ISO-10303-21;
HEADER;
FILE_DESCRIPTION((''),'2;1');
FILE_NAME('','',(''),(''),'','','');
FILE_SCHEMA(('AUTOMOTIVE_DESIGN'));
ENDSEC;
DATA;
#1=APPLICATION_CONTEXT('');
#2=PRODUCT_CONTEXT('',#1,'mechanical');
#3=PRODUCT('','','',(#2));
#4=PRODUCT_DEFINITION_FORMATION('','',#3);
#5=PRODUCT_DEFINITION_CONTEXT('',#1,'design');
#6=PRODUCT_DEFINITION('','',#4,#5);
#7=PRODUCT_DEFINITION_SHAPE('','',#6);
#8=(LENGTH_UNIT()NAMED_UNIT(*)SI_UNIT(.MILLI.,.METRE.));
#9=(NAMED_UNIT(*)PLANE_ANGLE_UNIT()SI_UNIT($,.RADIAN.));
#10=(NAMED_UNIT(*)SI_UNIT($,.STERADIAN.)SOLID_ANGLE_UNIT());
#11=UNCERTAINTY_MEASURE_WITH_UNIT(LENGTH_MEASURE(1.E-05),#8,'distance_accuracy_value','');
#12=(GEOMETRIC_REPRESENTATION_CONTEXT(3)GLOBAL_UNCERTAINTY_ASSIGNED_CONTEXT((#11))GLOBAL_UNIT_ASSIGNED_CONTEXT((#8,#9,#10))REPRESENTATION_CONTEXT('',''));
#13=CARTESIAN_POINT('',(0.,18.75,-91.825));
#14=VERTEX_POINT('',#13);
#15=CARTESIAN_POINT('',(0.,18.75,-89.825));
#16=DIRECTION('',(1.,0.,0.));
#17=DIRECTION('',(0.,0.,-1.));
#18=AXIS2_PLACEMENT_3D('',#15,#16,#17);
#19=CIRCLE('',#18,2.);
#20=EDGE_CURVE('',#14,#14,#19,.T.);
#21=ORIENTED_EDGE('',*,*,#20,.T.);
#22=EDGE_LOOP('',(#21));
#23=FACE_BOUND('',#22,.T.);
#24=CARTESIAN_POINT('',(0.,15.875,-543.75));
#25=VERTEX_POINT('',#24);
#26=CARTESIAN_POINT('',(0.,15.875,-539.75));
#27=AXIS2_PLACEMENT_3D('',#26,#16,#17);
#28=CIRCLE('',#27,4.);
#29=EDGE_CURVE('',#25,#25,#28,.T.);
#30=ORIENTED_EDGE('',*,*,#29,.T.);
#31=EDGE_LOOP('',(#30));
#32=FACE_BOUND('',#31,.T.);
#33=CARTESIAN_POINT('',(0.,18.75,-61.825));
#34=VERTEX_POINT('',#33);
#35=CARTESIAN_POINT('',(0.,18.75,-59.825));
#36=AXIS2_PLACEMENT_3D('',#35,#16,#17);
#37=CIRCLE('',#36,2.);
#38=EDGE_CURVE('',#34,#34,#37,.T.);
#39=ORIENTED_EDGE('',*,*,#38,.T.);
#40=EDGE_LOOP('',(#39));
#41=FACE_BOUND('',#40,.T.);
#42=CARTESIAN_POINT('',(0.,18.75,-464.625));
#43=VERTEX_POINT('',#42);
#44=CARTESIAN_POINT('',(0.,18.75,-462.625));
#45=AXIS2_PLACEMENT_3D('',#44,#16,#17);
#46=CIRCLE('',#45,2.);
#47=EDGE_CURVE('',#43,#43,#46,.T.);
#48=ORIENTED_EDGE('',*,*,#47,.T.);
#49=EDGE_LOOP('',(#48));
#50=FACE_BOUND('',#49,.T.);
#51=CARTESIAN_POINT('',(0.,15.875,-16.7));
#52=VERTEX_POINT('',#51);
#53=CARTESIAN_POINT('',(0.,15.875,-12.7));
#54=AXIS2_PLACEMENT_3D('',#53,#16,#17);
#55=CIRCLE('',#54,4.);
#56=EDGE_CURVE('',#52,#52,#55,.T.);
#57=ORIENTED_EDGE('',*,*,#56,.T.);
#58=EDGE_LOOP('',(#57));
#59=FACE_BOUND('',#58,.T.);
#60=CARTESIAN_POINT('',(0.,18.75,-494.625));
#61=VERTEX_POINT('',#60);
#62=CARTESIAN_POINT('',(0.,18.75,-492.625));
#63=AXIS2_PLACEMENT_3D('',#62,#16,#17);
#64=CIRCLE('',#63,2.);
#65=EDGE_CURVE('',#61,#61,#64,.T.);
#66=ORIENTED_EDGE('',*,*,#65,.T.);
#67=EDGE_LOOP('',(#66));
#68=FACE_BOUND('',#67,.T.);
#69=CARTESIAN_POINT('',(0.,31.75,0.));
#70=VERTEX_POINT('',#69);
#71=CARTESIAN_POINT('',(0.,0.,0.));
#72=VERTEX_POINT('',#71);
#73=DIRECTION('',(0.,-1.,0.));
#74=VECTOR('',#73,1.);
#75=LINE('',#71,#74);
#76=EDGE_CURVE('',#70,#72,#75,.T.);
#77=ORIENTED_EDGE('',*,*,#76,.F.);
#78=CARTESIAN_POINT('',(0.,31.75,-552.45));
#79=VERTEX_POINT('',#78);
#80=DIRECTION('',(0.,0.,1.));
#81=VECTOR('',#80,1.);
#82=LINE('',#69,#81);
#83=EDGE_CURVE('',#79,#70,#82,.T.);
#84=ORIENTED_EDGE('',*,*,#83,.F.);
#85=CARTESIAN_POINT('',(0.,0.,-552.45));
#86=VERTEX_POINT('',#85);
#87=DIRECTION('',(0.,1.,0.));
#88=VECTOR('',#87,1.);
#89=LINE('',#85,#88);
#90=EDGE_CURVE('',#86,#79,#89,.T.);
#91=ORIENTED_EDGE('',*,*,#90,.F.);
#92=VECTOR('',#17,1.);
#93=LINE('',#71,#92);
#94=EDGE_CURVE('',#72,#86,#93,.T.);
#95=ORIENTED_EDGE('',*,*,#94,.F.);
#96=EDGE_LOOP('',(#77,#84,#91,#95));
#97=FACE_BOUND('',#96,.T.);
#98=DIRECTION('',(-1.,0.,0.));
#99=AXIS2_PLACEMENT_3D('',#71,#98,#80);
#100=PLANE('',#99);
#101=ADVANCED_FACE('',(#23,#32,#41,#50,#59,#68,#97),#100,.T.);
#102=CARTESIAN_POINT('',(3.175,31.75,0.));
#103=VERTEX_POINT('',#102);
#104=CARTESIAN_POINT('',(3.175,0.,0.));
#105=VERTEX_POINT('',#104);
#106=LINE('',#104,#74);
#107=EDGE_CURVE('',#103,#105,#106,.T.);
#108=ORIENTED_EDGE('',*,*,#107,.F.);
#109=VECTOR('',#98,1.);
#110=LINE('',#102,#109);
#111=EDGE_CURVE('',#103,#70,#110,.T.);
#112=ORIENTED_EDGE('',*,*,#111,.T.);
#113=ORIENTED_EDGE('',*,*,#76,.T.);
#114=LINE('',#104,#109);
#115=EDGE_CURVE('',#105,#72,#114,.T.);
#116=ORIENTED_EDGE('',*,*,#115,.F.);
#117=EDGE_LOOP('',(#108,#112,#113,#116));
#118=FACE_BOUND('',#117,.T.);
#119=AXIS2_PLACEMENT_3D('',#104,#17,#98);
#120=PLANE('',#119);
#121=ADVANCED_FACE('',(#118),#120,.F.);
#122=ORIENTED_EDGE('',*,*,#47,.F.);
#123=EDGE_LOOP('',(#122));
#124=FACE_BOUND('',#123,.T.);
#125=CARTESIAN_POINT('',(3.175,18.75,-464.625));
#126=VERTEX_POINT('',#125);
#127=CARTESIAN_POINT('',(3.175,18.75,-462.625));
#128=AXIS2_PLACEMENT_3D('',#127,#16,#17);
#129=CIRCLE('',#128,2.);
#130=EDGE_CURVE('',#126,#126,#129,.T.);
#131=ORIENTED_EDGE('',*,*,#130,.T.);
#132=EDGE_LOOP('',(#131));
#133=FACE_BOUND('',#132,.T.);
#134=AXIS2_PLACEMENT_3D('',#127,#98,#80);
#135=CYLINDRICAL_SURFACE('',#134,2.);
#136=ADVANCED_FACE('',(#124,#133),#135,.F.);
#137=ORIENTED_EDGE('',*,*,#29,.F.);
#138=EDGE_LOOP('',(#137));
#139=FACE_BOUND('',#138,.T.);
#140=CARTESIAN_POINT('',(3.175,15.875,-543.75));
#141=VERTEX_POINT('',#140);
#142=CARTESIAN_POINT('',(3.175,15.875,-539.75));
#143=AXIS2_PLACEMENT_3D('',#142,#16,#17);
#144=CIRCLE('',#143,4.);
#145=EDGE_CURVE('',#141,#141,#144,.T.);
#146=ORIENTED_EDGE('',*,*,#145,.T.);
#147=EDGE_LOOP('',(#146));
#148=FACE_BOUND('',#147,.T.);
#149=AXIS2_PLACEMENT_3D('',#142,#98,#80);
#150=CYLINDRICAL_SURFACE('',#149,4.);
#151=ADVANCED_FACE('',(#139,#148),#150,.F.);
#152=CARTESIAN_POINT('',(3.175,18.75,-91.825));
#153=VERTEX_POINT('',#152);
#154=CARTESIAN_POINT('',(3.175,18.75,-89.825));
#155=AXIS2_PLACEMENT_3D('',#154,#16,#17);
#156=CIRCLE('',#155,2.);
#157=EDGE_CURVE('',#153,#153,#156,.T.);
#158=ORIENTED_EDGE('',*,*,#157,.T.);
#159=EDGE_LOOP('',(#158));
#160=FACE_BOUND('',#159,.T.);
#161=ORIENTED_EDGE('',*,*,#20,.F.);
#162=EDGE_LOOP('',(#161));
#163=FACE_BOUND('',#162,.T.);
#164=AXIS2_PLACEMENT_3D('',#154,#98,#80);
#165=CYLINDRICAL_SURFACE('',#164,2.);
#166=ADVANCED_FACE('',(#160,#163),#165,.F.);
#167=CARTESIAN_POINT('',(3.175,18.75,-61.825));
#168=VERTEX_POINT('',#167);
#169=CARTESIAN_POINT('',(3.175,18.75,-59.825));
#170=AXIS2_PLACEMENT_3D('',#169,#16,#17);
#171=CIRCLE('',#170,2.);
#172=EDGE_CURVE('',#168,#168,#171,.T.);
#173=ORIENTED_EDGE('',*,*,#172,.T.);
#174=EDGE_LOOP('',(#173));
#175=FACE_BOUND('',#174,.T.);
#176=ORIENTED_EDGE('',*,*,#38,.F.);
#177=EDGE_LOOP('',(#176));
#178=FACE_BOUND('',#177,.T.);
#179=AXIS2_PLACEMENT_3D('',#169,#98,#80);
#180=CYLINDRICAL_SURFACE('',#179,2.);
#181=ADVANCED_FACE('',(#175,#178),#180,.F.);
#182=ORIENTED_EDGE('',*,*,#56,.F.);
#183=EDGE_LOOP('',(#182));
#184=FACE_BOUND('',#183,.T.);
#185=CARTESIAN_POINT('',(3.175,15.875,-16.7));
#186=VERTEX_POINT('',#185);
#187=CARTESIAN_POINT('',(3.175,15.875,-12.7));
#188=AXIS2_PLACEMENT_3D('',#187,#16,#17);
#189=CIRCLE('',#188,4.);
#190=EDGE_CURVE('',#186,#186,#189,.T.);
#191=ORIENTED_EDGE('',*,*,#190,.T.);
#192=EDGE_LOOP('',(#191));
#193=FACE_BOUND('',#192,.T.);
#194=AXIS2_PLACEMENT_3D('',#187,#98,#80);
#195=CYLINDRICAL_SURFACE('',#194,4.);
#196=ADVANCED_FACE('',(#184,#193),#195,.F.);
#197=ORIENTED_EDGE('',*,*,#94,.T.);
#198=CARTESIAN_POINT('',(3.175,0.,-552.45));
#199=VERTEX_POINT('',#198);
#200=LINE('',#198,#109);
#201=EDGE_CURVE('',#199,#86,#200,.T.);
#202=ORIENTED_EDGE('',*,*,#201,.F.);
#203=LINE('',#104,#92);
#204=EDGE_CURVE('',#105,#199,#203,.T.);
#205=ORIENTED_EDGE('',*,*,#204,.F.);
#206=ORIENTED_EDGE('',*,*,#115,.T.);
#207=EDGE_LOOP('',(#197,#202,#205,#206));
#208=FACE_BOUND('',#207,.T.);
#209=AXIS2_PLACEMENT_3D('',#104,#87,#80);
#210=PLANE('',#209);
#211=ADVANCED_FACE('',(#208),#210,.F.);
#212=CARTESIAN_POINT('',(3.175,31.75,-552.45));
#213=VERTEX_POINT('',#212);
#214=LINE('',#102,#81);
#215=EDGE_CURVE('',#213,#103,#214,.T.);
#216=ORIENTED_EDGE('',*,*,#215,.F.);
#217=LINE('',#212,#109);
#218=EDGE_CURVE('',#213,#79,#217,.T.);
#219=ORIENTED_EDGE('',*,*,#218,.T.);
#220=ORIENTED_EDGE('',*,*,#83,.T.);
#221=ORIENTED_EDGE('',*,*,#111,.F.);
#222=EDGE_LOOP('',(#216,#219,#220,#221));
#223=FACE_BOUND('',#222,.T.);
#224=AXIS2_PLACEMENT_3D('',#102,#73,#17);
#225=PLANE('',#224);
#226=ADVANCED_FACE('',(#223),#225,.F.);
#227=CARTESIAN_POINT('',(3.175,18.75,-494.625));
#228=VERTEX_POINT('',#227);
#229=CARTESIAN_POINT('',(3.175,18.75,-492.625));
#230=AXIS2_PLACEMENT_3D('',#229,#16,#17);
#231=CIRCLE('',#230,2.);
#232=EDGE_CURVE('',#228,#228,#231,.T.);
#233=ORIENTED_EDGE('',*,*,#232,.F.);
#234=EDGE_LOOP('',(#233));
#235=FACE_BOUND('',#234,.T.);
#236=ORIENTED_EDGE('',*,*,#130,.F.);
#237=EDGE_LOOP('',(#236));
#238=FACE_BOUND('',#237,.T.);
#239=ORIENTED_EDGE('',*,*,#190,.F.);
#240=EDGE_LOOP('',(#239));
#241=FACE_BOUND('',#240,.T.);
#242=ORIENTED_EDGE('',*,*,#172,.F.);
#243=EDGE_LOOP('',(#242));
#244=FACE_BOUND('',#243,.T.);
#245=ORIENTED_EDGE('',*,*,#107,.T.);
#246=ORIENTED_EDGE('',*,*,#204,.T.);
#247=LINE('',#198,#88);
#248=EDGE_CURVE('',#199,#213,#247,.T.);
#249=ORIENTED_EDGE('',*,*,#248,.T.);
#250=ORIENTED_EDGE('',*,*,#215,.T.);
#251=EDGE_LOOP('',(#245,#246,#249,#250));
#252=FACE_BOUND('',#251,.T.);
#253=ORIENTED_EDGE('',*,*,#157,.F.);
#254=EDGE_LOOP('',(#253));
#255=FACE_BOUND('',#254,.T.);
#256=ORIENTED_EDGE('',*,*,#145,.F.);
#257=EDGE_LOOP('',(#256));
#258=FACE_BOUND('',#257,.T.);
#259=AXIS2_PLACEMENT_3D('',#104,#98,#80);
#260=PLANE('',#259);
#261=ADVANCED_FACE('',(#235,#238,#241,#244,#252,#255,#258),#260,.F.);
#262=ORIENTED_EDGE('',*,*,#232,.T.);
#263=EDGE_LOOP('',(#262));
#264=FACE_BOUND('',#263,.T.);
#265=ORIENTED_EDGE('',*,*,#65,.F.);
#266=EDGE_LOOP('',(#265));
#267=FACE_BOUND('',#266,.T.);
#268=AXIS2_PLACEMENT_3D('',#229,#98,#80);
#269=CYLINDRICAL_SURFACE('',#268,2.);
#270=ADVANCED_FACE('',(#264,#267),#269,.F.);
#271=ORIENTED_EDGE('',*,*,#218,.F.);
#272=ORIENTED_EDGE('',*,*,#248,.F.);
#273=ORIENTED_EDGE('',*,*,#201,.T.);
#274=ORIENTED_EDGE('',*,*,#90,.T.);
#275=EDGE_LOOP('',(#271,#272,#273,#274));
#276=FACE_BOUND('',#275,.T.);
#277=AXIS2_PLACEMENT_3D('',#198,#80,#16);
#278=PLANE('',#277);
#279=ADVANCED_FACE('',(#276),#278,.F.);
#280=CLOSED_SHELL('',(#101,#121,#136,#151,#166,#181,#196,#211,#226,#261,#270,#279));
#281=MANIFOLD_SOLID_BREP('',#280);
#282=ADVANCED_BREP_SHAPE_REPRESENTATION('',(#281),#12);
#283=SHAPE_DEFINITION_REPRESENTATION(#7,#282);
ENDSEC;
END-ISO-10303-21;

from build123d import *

# Parameters (mm, degrees)
SKETCH1_W           = 552.45
SKETCH1_H           = 31.75
SKETCH1_R           = 4
SKETCH1_R_2         = 2
BOSS_EXTRUDE2_DEPTH = 3.175


with BuildPart() as part:
    # Sketch1 → Boss-Extrude2 (new body)
    with BuildSketch(Plane(origin=(0, 0, 0), x_dir=(0, 0, -1), z_dir=(1, 0, 0))):
        with Locations((276.225, 15.875)):
            Rectangle(SKETCH1_W, SKETCH1_H)
        with Locations((12.7, 15.875)):
            Circle(SKETCH1_R, mode=Mode.SUBTRACT)
        with Locations((539.75, 15.875)):
            Circle(SKETCH1_R, mode=Mode.SUBTRACT)
        with Locations((462.625, 18.75)):
            Circle(SKETCH1_R_2, mode=Mode.SUBTRACT)
        with Locations((492.625, 18.75)):
            Circle(SKETCH1_R_2, mode=Mode.SUBTRACT)
        with Locations((59.825, 18.75)):
            Circle(SKETCH1_R_2, mode=Mode.SUBTRACT)
        with Locations((89.825, 18.75)):
            Circle(SKETCH1_R_2, mode=Mode.SUBTRACT)
    extrude(amount=BOSS_EXTRUDE2_DEPTH)


solid = part.part
